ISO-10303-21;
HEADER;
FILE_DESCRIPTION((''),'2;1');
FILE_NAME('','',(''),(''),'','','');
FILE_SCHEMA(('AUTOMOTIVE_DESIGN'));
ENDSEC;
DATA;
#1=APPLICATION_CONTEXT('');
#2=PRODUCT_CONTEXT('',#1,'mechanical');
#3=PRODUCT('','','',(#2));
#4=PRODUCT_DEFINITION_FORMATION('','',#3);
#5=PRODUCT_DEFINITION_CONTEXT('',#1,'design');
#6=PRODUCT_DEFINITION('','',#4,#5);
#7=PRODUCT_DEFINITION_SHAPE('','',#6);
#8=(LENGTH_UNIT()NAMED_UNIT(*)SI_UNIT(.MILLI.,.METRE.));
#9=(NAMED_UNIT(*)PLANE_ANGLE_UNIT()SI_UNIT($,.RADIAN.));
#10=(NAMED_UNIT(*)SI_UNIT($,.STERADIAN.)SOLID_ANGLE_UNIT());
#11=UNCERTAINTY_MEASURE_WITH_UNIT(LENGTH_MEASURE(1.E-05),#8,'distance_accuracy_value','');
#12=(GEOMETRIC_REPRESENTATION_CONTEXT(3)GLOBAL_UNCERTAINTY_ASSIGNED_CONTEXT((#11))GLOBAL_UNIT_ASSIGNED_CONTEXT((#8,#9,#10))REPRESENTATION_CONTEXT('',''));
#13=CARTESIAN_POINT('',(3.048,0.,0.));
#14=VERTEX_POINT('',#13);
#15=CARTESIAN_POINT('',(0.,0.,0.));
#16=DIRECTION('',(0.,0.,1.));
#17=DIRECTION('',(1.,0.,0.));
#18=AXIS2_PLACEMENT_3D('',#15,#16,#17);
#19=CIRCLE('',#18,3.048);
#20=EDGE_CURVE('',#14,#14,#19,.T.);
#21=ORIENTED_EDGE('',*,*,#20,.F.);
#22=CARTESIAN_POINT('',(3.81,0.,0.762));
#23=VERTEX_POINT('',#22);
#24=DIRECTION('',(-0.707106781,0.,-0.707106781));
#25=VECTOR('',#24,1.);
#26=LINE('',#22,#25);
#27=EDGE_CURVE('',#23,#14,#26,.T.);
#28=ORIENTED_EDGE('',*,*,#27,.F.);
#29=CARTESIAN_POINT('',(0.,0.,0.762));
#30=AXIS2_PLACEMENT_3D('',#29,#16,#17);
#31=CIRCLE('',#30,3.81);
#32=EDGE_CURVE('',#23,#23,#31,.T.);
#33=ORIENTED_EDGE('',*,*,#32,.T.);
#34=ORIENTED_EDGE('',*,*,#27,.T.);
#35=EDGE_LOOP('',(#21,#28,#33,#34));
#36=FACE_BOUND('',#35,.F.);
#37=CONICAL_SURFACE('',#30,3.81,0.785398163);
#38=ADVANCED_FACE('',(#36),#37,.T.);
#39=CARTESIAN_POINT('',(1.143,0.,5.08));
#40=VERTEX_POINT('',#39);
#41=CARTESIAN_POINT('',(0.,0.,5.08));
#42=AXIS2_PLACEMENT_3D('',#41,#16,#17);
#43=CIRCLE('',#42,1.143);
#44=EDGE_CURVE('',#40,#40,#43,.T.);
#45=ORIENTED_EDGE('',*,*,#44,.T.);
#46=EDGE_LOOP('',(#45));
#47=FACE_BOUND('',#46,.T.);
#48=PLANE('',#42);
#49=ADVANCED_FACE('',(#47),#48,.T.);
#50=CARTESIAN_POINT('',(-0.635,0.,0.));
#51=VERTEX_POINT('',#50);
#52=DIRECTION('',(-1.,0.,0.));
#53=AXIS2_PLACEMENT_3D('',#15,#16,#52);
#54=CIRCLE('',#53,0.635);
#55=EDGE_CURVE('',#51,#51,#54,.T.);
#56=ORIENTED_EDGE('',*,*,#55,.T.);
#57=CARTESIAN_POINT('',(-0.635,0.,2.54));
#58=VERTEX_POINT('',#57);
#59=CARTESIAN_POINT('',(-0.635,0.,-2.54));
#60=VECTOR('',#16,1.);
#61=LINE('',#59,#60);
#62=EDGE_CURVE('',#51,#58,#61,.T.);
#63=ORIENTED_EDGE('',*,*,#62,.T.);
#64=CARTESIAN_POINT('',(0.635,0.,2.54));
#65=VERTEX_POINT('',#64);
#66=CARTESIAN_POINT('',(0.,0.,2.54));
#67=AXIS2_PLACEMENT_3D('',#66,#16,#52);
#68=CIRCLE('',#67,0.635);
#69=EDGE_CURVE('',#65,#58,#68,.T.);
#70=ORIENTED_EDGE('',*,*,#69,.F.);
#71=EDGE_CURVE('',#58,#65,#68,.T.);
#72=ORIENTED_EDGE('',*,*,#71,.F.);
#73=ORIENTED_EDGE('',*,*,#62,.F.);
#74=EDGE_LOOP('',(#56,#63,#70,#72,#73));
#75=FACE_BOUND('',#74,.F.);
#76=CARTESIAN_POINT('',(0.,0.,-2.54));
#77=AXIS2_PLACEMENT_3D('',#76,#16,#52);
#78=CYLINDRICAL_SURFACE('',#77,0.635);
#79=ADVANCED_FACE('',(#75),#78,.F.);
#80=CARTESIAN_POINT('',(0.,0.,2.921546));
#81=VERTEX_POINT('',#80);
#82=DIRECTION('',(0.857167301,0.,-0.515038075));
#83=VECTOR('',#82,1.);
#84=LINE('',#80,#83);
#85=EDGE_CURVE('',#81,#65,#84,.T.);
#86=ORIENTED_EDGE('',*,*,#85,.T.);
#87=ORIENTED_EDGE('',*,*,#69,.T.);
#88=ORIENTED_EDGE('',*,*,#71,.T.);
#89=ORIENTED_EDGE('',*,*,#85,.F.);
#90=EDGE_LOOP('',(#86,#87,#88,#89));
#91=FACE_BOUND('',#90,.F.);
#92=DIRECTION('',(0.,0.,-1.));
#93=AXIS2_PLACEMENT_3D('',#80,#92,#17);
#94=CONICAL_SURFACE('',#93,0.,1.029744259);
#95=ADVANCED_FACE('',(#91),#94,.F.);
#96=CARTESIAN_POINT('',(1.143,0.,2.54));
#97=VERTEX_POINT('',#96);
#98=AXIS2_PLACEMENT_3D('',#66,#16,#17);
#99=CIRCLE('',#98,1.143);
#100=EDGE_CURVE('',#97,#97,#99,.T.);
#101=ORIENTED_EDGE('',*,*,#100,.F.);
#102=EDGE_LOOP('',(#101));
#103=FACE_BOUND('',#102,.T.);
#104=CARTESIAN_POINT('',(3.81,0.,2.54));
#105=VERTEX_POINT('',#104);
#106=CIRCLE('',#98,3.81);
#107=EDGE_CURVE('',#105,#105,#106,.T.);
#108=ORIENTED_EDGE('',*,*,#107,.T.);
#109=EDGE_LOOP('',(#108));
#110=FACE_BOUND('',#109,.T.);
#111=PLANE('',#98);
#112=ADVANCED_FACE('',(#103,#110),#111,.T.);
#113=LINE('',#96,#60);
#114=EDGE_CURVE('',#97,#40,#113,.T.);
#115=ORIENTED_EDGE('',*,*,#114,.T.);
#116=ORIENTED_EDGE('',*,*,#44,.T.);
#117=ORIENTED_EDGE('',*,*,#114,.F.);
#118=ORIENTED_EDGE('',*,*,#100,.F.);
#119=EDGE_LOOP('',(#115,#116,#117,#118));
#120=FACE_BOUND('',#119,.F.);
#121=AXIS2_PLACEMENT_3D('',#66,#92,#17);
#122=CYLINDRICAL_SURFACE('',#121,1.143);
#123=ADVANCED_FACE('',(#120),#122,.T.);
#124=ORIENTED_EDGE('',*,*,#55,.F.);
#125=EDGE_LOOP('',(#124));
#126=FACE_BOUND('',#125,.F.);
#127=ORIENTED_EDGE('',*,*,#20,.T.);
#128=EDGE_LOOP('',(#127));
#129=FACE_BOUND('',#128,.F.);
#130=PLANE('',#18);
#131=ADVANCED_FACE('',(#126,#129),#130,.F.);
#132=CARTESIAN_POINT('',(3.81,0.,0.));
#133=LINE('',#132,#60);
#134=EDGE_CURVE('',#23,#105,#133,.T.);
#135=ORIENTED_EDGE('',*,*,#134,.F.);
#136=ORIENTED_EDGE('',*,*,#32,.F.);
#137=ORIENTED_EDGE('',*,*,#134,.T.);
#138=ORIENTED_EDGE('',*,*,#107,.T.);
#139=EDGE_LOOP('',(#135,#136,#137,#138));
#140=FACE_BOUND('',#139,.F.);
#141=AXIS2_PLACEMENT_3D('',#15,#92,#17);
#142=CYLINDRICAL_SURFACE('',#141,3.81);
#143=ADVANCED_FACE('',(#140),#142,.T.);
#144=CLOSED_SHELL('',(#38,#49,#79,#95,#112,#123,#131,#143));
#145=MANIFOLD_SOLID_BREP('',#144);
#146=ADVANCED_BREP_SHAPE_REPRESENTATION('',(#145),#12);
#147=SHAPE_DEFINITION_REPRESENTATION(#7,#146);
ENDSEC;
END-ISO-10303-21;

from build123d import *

# Parameters (mm, degrees)
F0_R     = 3.81
F1_DEPTH = 2.54
F2_R     = 1.143
F3_DEPTH = 2.54
F5_D     = 1.27
F5_DEPTH = 2.54
F5_TIP   = 0.3815464931
F6_SIZE  = 0.762


with BuildPart() as f1:
    # F0 (on Top) → F1 (new body)
    with BuildSketch(Plane.XY):
        Circle(F0_R)
    extrude(amount=F1_DEPTH)

    # F2 (on face) → F3 (join)
    with BuildSketch(Plane.XY.offset(2.54)):
        Circle(F2_R)
    extrude(amount=F3_DEPTH)

    # F5
    with Locations(Plane(origin=(0, 0, 0), x_dir=(1, 0, 0), z_dir=(0, 0, -1))):
        with Locations((0, 0)):
            Hole(F5_D / 2, depth=F5_DEPTH)
            with Locations((0, 0, -(F5_DEPTH + F5_TIP / 2))):  # 118° drill point
                Cone(0, F5_D / 2, F5_TIP, mode=Mode.SUBTRACT)

    # F6
    f6_edges = [f1.edges().sort_by_distance(p)[0] for p in [
        (-3.81, 0, 0),
    ]]
    chamfer(f6_edges, length=F6_SIZE)


solid = f1.part
